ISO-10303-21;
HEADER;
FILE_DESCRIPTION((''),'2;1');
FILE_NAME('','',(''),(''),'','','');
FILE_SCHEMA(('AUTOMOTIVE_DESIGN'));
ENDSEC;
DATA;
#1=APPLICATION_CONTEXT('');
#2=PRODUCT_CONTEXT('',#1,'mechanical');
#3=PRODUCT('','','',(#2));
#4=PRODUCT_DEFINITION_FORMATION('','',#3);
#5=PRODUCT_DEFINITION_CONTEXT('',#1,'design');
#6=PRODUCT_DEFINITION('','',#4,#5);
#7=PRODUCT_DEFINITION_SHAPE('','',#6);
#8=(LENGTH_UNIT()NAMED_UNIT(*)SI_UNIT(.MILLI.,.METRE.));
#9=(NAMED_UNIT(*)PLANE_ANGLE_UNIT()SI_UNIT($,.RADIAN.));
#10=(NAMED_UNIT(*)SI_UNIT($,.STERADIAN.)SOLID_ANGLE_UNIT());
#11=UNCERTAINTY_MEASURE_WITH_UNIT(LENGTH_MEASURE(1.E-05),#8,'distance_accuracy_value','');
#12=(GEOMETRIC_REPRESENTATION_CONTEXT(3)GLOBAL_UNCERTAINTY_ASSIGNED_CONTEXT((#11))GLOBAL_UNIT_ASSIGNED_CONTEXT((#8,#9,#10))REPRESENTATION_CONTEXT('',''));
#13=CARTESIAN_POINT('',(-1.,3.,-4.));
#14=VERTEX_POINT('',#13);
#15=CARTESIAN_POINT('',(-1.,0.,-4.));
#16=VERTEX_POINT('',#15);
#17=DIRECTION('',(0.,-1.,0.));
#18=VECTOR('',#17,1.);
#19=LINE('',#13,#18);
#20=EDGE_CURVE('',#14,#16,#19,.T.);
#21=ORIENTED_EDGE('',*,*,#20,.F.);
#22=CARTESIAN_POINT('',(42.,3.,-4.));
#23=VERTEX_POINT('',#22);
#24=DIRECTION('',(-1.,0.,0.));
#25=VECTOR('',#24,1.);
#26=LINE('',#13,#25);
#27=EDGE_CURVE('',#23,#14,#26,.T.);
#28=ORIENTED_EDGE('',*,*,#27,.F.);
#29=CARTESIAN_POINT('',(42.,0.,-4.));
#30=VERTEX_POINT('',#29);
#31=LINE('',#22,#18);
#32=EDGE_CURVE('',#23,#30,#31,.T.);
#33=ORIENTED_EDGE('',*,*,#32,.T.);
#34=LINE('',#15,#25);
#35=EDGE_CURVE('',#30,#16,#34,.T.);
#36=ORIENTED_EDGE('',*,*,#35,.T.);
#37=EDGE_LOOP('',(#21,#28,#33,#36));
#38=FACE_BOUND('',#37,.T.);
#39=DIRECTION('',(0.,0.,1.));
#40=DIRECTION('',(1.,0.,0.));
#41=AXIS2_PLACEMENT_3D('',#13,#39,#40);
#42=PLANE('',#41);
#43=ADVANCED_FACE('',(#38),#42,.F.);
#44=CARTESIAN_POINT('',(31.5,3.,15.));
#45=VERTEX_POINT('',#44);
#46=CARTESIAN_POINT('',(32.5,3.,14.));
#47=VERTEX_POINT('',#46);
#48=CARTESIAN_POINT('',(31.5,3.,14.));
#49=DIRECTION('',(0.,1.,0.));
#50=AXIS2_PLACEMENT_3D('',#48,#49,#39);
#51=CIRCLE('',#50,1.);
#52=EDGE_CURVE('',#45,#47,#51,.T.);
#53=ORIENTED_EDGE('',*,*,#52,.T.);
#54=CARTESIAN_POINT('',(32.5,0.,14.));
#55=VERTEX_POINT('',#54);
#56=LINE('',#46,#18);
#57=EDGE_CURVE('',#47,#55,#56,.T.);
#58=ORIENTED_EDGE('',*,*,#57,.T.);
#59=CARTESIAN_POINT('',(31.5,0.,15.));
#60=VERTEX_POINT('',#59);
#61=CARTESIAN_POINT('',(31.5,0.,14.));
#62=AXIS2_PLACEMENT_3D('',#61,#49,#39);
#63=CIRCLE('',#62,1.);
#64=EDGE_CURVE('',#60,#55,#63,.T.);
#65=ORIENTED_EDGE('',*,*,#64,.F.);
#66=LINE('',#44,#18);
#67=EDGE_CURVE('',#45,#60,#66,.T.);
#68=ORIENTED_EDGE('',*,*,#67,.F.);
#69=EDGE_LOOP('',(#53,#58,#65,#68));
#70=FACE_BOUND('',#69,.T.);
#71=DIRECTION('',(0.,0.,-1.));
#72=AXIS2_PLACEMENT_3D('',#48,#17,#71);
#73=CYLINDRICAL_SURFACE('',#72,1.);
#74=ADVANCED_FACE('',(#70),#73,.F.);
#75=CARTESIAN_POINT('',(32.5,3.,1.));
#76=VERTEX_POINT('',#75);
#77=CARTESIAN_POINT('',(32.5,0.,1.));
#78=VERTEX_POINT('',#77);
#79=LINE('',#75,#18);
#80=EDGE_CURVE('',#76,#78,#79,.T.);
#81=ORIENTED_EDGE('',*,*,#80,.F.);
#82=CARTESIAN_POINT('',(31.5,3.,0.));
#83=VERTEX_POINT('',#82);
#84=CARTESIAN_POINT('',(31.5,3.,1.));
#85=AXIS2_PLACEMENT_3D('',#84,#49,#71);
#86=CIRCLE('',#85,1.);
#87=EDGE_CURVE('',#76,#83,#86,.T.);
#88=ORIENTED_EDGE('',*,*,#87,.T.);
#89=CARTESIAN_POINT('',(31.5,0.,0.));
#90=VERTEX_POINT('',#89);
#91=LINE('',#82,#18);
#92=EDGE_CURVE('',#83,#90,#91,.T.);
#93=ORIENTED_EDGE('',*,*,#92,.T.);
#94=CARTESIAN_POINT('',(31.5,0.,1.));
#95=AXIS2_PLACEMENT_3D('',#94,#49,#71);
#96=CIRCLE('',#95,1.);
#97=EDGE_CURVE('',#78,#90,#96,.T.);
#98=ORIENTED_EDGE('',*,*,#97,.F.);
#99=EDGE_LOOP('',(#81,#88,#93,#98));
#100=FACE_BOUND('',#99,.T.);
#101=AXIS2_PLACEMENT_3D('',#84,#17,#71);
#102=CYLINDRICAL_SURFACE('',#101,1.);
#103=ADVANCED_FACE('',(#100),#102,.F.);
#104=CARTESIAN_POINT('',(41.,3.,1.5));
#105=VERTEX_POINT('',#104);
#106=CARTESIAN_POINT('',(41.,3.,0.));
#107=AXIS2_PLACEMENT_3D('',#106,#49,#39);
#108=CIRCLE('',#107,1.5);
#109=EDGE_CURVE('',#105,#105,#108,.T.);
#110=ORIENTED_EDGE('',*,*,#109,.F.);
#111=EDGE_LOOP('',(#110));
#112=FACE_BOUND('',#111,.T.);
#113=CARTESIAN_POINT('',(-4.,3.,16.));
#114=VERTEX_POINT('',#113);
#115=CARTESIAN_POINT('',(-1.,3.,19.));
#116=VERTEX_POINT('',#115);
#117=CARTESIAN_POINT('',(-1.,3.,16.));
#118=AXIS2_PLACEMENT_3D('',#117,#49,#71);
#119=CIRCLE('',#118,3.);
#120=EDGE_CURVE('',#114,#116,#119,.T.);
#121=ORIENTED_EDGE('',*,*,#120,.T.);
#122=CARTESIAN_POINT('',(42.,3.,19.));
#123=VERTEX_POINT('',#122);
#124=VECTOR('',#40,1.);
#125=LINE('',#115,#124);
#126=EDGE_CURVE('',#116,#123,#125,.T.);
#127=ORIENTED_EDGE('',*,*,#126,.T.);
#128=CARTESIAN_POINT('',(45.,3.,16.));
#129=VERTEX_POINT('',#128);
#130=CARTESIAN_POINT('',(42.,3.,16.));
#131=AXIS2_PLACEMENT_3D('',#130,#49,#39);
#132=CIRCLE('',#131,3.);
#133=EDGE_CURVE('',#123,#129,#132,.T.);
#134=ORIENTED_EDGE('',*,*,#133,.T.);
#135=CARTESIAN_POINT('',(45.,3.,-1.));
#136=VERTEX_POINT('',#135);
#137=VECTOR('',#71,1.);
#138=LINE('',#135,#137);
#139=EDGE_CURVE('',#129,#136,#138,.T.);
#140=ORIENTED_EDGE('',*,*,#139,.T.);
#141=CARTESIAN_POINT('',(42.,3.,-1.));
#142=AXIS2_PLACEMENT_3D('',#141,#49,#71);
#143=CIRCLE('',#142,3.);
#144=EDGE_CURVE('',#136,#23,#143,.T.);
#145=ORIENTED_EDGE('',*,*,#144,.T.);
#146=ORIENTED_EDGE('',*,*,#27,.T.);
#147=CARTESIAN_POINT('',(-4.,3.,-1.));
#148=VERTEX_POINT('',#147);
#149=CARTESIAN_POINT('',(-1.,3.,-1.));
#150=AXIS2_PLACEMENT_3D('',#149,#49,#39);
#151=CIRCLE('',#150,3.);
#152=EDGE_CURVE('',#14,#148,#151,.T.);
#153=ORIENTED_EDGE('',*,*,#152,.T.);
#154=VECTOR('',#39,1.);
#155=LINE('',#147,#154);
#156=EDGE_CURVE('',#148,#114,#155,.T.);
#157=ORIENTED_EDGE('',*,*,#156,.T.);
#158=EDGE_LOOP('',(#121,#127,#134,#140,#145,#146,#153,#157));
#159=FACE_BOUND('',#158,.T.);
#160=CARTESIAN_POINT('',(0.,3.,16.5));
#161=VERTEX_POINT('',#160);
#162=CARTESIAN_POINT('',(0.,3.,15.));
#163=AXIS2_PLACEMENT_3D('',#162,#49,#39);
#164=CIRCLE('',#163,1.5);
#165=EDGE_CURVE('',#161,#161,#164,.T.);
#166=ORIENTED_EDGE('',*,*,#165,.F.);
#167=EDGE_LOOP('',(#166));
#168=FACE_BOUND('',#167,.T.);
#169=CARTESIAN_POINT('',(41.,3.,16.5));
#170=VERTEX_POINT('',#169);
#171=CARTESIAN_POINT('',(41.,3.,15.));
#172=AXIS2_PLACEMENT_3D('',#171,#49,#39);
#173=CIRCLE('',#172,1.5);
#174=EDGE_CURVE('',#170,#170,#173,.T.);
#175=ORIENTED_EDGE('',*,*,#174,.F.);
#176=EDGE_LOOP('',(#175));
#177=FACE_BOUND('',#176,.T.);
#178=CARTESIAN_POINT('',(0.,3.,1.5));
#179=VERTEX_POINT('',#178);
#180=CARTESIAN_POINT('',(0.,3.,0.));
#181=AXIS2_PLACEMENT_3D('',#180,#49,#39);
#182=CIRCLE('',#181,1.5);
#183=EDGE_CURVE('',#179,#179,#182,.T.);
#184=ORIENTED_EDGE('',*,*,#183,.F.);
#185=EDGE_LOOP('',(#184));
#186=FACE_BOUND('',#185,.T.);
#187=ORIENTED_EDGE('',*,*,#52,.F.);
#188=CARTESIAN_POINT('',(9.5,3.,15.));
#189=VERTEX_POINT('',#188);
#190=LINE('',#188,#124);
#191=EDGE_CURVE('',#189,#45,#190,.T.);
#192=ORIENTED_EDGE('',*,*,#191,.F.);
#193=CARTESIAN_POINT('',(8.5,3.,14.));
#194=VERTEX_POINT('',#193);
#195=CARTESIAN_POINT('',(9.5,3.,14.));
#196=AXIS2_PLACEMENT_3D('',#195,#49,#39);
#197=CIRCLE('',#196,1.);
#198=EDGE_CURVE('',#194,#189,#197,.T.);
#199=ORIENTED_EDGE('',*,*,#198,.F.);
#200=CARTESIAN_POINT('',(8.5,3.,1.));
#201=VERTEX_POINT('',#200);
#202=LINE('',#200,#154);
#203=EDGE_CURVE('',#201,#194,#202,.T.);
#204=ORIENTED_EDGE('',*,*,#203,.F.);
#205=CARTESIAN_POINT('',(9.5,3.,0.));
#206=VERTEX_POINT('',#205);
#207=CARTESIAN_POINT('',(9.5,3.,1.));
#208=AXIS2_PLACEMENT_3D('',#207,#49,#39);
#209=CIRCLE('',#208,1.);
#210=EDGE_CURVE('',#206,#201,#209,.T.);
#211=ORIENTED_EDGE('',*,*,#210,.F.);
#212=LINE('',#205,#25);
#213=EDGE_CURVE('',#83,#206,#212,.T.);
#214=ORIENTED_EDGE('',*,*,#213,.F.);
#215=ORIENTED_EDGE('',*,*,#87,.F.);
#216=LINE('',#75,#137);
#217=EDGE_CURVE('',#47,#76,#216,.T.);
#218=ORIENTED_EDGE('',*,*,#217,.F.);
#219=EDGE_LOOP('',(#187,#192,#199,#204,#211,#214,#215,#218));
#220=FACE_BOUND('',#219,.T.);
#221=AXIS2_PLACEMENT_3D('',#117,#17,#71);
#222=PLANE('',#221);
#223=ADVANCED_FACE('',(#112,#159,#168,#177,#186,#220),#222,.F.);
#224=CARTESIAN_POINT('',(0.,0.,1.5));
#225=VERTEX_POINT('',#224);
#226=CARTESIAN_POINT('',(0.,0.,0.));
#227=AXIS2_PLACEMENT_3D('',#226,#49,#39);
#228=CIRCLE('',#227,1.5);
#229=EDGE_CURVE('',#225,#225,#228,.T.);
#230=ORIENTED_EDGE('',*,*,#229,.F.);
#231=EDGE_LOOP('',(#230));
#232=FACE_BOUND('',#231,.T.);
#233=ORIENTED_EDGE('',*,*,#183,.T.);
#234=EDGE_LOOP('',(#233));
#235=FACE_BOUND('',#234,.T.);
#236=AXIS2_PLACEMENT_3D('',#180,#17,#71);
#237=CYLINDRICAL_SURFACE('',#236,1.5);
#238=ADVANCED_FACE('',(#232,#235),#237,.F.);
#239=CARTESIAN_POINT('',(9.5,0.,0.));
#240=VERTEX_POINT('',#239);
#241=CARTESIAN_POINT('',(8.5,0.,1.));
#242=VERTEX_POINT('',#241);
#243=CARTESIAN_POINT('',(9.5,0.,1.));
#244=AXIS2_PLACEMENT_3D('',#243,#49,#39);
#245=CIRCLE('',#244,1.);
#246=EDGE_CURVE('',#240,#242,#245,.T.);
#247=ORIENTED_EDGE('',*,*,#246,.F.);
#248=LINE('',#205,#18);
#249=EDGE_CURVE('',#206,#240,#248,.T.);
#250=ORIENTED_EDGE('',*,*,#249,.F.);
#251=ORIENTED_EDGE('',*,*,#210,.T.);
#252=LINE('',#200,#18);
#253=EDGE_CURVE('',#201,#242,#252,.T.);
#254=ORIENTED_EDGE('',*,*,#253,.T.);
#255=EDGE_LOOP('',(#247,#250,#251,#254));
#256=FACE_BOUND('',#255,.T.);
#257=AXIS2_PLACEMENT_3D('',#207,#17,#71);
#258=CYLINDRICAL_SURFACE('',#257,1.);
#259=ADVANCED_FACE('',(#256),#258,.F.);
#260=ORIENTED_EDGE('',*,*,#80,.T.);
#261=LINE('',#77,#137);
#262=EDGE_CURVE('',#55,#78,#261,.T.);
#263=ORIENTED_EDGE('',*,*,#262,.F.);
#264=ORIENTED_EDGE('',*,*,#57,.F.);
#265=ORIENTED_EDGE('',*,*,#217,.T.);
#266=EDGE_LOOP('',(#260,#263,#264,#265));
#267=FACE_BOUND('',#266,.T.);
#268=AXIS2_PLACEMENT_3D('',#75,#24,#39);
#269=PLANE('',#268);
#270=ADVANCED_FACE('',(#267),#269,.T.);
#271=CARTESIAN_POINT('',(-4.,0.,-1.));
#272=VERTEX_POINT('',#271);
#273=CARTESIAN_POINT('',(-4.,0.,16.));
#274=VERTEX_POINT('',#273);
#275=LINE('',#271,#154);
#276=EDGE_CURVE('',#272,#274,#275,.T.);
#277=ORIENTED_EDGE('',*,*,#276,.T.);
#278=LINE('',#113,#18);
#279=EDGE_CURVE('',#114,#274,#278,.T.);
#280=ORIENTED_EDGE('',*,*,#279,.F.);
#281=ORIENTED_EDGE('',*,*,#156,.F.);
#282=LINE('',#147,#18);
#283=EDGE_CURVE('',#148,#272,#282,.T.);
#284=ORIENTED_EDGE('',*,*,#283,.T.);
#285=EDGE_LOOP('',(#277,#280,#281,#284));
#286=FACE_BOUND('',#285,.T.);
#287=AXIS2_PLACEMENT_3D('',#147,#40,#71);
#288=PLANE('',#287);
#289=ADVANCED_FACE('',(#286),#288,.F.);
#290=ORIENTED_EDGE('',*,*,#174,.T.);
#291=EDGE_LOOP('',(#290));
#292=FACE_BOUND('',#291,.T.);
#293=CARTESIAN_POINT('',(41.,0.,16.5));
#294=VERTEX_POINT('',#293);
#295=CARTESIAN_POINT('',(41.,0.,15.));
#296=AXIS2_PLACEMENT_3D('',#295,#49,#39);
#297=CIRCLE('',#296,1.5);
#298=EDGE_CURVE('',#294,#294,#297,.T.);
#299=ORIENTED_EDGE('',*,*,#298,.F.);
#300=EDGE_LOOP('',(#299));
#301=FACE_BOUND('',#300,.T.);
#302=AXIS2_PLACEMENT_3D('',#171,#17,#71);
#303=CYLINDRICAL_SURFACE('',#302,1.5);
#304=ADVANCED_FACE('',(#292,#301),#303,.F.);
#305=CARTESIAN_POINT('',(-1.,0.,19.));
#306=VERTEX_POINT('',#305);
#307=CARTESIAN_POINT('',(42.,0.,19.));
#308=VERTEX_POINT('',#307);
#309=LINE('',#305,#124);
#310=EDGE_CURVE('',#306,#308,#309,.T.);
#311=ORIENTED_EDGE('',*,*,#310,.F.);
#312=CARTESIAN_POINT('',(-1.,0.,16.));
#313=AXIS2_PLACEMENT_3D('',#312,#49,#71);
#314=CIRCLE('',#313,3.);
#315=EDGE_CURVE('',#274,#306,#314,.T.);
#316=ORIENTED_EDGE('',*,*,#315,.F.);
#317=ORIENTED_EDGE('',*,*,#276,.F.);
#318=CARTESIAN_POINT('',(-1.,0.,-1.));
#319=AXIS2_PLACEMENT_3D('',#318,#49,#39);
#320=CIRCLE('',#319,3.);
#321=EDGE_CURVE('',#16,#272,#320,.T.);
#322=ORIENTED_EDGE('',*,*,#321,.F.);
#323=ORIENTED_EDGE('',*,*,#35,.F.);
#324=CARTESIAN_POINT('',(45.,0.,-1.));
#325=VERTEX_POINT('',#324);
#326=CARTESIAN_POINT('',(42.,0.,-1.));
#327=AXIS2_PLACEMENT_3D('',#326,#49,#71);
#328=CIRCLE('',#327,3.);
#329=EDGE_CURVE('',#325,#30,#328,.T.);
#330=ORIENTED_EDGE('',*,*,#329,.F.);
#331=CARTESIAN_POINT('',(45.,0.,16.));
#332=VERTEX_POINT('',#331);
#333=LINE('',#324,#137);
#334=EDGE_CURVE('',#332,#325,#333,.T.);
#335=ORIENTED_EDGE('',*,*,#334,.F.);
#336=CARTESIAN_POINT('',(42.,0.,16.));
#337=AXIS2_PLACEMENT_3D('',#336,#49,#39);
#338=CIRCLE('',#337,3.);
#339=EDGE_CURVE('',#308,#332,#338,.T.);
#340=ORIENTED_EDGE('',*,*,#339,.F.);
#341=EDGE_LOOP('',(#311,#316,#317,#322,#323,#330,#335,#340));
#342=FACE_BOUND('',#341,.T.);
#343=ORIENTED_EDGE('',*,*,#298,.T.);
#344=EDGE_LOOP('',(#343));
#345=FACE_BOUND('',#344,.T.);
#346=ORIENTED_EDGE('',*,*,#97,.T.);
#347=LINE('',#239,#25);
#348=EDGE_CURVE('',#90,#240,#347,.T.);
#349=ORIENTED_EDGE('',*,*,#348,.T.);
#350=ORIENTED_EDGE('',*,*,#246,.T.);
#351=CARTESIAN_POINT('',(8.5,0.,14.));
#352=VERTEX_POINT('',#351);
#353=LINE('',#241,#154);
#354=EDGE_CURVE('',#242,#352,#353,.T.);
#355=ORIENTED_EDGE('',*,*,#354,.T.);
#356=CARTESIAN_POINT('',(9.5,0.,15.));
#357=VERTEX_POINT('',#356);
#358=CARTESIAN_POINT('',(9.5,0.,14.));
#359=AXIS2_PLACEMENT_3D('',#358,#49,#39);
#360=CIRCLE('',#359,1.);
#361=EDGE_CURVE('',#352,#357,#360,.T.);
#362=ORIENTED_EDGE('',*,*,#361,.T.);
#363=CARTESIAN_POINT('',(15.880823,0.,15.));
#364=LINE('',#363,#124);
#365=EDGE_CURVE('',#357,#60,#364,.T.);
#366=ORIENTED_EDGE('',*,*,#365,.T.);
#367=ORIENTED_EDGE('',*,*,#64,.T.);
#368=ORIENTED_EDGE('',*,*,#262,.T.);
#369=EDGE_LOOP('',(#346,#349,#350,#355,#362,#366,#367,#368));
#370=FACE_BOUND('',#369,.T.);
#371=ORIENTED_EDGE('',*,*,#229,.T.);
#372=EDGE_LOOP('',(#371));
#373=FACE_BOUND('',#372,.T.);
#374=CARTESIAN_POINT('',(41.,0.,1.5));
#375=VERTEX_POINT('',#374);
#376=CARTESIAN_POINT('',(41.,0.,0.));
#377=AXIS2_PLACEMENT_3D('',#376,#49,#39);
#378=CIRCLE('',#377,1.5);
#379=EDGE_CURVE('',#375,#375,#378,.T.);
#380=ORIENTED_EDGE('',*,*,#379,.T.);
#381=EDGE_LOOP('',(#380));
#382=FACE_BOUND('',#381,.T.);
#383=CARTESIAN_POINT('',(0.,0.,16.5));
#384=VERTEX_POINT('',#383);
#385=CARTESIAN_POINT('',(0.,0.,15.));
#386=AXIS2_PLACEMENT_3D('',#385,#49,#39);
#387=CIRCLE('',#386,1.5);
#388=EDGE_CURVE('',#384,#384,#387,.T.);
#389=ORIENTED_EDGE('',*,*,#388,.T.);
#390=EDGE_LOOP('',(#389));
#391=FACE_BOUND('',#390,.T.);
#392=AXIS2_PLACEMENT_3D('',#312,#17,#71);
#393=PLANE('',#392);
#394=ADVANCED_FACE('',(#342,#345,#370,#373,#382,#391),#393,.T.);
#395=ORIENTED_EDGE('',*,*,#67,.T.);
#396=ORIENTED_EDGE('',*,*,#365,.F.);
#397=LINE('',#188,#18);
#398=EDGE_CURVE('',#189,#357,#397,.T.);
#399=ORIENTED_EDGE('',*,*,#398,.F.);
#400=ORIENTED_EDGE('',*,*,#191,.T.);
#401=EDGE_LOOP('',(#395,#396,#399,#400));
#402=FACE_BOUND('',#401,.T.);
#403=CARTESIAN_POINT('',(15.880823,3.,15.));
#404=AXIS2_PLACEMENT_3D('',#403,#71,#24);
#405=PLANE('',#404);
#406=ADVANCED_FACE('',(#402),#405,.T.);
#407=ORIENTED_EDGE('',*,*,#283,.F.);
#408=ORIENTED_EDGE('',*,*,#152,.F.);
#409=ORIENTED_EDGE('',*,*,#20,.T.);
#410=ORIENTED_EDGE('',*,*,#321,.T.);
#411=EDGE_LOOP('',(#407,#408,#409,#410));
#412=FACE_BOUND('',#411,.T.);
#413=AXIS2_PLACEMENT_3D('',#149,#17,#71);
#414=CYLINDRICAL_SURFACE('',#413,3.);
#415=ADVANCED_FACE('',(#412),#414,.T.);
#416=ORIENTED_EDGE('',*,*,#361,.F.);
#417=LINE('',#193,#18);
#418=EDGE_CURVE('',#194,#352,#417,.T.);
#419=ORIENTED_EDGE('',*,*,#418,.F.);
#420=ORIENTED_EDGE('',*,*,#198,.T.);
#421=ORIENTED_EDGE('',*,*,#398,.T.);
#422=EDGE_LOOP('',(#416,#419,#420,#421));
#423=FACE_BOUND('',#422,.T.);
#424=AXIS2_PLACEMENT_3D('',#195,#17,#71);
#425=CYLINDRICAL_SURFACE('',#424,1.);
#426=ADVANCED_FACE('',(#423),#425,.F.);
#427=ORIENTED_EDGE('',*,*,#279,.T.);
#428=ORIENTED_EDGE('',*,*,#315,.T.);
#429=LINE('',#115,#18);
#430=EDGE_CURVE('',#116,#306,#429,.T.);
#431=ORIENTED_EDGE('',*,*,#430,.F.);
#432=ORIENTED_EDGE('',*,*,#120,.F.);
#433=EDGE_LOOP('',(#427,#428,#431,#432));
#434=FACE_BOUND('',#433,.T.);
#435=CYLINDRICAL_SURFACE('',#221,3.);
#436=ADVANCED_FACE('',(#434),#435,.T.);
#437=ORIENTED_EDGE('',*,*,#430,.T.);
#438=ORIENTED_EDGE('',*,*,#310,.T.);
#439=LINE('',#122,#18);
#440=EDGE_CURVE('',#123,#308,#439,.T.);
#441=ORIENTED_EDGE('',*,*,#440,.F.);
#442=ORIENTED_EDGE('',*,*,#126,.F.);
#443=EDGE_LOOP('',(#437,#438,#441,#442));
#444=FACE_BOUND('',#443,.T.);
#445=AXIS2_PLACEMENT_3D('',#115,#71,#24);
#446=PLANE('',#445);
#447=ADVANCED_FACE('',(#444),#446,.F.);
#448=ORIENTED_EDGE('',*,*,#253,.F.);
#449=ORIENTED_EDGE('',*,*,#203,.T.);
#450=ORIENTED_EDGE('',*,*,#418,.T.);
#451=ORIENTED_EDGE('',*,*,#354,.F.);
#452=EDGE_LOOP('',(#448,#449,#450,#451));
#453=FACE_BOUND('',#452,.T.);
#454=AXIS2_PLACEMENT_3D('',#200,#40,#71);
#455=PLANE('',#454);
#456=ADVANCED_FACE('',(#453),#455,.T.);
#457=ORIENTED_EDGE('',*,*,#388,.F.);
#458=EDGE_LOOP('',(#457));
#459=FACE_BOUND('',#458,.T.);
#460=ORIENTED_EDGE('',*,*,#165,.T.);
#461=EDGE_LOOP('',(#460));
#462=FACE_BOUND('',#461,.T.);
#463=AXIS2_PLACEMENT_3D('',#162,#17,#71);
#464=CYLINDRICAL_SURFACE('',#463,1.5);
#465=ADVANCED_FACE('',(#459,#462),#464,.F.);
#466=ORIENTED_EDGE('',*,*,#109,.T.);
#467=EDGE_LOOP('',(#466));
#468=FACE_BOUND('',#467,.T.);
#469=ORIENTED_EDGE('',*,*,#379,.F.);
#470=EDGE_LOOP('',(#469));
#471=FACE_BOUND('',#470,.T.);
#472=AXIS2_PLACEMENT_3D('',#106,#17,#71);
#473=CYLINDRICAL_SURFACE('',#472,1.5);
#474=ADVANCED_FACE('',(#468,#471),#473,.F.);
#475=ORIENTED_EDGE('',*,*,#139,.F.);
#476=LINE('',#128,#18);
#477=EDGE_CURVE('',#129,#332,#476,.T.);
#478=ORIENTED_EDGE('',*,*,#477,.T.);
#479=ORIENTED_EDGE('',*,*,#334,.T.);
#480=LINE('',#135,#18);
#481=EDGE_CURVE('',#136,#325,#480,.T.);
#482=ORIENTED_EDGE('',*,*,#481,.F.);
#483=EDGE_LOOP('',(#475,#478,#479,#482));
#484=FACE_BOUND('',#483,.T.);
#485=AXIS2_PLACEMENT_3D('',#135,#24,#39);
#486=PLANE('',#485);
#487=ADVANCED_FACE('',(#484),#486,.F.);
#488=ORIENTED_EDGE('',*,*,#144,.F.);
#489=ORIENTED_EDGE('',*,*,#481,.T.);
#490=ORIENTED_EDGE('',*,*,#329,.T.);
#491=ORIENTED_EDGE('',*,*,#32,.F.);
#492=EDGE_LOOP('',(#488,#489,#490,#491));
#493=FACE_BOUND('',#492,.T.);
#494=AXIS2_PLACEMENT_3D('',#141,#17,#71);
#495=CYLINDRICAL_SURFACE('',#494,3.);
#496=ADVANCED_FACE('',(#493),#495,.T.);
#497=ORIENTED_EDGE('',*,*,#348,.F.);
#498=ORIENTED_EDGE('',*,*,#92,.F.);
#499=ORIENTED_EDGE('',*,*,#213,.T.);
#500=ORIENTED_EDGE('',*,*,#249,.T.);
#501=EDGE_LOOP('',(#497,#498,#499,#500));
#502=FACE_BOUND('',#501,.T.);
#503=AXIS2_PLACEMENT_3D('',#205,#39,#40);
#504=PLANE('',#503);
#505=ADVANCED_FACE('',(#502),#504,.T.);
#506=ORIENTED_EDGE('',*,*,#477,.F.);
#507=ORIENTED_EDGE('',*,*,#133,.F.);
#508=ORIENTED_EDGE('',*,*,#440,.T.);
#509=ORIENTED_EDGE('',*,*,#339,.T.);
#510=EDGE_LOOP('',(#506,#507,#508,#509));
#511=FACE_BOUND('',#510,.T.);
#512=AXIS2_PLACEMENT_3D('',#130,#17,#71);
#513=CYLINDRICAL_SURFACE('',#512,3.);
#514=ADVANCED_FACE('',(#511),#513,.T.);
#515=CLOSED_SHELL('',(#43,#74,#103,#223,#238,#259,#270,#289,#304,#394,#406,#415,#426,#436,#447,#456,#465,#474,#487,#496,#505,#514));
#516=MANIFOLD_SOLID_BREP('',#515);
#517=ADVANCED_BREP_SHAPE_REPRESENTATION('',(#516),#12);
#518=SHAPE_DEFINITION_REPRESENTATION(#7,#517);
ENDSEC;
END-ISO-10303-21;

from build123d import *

# Parameters (mm, degrees)
SKETCH1_R           = 1.5
BOSS_EXTRUDE1_DEPTH = 3


with BuildPart() as part:
    # Sketch1 → Boss-Extrude1 (new body)
    with BuildSketch(Plane(origin=(0, 0, 0), x_dir=(1, 0, 0), z_dir=(0, 1, 0))):
        with BuildLine():
            Line((-4, 1), (-4, -16))
            ThreePointArc((-4, -16), (-3.121320344, -18.121320344), (-1, -19))
            Line((-1, -19), (42, -19))
            ThreePointArc((42, -19), (44.121320344, -18.121320344), (45, -16))
            Line((45, -16), (45, 1))
            ThreePointArc((45, 1), (44.121320344, 3.121320344), (42, 4))
            Line((42, 4), (-1, 4))
            ThreePointArc((-1, 4), (-3.121320344, 3.121320344), (-4, 1))
        make_face()
        Circle(SKETCH1_R, mode=Mode.SUBTRACT)
        with Locations((41, 0)):
            Circle(SKETCH1_R, mode=Mode.SUBTRACT)
        with Locations((41, -15)):
            Circle(SKETCH1_R, mode=Mode.SUBTRACT)
        with Locations((0, -15)):
            Circle(SKETCH1_R, mode=Mode.SUBTRACT)
        with BuildLine():
            Line((9.5, 0), (31.5, 0))
            ThreePointArc((31.5, 0), (32.207106781, -0.292893219), (32.5, -1))
            Line((32.5, -1), (32.5, -14))
            ThreePointArc((32.5, -14), (32.207106781, -14.707106781), (31.5, -15))
            Line((31.5, -15), (15.880823308, -15))
            Line((15.880823308, -15), (9.5, -15))
            ThreePointArc((9.5, -15), (8.792893219, -14.707106781), (8.5, -14))
            Line((8.5, -14), (8.5, -1))
            ThreePointArc((8.5, -1), (8.792893219, -0.292893219), (9.5, 0))
        make_face(mode=Mode.SUBTRACT)
    extrude(amount=BOSS_EXTRUDE1_DEPTH)


solid = part.part
